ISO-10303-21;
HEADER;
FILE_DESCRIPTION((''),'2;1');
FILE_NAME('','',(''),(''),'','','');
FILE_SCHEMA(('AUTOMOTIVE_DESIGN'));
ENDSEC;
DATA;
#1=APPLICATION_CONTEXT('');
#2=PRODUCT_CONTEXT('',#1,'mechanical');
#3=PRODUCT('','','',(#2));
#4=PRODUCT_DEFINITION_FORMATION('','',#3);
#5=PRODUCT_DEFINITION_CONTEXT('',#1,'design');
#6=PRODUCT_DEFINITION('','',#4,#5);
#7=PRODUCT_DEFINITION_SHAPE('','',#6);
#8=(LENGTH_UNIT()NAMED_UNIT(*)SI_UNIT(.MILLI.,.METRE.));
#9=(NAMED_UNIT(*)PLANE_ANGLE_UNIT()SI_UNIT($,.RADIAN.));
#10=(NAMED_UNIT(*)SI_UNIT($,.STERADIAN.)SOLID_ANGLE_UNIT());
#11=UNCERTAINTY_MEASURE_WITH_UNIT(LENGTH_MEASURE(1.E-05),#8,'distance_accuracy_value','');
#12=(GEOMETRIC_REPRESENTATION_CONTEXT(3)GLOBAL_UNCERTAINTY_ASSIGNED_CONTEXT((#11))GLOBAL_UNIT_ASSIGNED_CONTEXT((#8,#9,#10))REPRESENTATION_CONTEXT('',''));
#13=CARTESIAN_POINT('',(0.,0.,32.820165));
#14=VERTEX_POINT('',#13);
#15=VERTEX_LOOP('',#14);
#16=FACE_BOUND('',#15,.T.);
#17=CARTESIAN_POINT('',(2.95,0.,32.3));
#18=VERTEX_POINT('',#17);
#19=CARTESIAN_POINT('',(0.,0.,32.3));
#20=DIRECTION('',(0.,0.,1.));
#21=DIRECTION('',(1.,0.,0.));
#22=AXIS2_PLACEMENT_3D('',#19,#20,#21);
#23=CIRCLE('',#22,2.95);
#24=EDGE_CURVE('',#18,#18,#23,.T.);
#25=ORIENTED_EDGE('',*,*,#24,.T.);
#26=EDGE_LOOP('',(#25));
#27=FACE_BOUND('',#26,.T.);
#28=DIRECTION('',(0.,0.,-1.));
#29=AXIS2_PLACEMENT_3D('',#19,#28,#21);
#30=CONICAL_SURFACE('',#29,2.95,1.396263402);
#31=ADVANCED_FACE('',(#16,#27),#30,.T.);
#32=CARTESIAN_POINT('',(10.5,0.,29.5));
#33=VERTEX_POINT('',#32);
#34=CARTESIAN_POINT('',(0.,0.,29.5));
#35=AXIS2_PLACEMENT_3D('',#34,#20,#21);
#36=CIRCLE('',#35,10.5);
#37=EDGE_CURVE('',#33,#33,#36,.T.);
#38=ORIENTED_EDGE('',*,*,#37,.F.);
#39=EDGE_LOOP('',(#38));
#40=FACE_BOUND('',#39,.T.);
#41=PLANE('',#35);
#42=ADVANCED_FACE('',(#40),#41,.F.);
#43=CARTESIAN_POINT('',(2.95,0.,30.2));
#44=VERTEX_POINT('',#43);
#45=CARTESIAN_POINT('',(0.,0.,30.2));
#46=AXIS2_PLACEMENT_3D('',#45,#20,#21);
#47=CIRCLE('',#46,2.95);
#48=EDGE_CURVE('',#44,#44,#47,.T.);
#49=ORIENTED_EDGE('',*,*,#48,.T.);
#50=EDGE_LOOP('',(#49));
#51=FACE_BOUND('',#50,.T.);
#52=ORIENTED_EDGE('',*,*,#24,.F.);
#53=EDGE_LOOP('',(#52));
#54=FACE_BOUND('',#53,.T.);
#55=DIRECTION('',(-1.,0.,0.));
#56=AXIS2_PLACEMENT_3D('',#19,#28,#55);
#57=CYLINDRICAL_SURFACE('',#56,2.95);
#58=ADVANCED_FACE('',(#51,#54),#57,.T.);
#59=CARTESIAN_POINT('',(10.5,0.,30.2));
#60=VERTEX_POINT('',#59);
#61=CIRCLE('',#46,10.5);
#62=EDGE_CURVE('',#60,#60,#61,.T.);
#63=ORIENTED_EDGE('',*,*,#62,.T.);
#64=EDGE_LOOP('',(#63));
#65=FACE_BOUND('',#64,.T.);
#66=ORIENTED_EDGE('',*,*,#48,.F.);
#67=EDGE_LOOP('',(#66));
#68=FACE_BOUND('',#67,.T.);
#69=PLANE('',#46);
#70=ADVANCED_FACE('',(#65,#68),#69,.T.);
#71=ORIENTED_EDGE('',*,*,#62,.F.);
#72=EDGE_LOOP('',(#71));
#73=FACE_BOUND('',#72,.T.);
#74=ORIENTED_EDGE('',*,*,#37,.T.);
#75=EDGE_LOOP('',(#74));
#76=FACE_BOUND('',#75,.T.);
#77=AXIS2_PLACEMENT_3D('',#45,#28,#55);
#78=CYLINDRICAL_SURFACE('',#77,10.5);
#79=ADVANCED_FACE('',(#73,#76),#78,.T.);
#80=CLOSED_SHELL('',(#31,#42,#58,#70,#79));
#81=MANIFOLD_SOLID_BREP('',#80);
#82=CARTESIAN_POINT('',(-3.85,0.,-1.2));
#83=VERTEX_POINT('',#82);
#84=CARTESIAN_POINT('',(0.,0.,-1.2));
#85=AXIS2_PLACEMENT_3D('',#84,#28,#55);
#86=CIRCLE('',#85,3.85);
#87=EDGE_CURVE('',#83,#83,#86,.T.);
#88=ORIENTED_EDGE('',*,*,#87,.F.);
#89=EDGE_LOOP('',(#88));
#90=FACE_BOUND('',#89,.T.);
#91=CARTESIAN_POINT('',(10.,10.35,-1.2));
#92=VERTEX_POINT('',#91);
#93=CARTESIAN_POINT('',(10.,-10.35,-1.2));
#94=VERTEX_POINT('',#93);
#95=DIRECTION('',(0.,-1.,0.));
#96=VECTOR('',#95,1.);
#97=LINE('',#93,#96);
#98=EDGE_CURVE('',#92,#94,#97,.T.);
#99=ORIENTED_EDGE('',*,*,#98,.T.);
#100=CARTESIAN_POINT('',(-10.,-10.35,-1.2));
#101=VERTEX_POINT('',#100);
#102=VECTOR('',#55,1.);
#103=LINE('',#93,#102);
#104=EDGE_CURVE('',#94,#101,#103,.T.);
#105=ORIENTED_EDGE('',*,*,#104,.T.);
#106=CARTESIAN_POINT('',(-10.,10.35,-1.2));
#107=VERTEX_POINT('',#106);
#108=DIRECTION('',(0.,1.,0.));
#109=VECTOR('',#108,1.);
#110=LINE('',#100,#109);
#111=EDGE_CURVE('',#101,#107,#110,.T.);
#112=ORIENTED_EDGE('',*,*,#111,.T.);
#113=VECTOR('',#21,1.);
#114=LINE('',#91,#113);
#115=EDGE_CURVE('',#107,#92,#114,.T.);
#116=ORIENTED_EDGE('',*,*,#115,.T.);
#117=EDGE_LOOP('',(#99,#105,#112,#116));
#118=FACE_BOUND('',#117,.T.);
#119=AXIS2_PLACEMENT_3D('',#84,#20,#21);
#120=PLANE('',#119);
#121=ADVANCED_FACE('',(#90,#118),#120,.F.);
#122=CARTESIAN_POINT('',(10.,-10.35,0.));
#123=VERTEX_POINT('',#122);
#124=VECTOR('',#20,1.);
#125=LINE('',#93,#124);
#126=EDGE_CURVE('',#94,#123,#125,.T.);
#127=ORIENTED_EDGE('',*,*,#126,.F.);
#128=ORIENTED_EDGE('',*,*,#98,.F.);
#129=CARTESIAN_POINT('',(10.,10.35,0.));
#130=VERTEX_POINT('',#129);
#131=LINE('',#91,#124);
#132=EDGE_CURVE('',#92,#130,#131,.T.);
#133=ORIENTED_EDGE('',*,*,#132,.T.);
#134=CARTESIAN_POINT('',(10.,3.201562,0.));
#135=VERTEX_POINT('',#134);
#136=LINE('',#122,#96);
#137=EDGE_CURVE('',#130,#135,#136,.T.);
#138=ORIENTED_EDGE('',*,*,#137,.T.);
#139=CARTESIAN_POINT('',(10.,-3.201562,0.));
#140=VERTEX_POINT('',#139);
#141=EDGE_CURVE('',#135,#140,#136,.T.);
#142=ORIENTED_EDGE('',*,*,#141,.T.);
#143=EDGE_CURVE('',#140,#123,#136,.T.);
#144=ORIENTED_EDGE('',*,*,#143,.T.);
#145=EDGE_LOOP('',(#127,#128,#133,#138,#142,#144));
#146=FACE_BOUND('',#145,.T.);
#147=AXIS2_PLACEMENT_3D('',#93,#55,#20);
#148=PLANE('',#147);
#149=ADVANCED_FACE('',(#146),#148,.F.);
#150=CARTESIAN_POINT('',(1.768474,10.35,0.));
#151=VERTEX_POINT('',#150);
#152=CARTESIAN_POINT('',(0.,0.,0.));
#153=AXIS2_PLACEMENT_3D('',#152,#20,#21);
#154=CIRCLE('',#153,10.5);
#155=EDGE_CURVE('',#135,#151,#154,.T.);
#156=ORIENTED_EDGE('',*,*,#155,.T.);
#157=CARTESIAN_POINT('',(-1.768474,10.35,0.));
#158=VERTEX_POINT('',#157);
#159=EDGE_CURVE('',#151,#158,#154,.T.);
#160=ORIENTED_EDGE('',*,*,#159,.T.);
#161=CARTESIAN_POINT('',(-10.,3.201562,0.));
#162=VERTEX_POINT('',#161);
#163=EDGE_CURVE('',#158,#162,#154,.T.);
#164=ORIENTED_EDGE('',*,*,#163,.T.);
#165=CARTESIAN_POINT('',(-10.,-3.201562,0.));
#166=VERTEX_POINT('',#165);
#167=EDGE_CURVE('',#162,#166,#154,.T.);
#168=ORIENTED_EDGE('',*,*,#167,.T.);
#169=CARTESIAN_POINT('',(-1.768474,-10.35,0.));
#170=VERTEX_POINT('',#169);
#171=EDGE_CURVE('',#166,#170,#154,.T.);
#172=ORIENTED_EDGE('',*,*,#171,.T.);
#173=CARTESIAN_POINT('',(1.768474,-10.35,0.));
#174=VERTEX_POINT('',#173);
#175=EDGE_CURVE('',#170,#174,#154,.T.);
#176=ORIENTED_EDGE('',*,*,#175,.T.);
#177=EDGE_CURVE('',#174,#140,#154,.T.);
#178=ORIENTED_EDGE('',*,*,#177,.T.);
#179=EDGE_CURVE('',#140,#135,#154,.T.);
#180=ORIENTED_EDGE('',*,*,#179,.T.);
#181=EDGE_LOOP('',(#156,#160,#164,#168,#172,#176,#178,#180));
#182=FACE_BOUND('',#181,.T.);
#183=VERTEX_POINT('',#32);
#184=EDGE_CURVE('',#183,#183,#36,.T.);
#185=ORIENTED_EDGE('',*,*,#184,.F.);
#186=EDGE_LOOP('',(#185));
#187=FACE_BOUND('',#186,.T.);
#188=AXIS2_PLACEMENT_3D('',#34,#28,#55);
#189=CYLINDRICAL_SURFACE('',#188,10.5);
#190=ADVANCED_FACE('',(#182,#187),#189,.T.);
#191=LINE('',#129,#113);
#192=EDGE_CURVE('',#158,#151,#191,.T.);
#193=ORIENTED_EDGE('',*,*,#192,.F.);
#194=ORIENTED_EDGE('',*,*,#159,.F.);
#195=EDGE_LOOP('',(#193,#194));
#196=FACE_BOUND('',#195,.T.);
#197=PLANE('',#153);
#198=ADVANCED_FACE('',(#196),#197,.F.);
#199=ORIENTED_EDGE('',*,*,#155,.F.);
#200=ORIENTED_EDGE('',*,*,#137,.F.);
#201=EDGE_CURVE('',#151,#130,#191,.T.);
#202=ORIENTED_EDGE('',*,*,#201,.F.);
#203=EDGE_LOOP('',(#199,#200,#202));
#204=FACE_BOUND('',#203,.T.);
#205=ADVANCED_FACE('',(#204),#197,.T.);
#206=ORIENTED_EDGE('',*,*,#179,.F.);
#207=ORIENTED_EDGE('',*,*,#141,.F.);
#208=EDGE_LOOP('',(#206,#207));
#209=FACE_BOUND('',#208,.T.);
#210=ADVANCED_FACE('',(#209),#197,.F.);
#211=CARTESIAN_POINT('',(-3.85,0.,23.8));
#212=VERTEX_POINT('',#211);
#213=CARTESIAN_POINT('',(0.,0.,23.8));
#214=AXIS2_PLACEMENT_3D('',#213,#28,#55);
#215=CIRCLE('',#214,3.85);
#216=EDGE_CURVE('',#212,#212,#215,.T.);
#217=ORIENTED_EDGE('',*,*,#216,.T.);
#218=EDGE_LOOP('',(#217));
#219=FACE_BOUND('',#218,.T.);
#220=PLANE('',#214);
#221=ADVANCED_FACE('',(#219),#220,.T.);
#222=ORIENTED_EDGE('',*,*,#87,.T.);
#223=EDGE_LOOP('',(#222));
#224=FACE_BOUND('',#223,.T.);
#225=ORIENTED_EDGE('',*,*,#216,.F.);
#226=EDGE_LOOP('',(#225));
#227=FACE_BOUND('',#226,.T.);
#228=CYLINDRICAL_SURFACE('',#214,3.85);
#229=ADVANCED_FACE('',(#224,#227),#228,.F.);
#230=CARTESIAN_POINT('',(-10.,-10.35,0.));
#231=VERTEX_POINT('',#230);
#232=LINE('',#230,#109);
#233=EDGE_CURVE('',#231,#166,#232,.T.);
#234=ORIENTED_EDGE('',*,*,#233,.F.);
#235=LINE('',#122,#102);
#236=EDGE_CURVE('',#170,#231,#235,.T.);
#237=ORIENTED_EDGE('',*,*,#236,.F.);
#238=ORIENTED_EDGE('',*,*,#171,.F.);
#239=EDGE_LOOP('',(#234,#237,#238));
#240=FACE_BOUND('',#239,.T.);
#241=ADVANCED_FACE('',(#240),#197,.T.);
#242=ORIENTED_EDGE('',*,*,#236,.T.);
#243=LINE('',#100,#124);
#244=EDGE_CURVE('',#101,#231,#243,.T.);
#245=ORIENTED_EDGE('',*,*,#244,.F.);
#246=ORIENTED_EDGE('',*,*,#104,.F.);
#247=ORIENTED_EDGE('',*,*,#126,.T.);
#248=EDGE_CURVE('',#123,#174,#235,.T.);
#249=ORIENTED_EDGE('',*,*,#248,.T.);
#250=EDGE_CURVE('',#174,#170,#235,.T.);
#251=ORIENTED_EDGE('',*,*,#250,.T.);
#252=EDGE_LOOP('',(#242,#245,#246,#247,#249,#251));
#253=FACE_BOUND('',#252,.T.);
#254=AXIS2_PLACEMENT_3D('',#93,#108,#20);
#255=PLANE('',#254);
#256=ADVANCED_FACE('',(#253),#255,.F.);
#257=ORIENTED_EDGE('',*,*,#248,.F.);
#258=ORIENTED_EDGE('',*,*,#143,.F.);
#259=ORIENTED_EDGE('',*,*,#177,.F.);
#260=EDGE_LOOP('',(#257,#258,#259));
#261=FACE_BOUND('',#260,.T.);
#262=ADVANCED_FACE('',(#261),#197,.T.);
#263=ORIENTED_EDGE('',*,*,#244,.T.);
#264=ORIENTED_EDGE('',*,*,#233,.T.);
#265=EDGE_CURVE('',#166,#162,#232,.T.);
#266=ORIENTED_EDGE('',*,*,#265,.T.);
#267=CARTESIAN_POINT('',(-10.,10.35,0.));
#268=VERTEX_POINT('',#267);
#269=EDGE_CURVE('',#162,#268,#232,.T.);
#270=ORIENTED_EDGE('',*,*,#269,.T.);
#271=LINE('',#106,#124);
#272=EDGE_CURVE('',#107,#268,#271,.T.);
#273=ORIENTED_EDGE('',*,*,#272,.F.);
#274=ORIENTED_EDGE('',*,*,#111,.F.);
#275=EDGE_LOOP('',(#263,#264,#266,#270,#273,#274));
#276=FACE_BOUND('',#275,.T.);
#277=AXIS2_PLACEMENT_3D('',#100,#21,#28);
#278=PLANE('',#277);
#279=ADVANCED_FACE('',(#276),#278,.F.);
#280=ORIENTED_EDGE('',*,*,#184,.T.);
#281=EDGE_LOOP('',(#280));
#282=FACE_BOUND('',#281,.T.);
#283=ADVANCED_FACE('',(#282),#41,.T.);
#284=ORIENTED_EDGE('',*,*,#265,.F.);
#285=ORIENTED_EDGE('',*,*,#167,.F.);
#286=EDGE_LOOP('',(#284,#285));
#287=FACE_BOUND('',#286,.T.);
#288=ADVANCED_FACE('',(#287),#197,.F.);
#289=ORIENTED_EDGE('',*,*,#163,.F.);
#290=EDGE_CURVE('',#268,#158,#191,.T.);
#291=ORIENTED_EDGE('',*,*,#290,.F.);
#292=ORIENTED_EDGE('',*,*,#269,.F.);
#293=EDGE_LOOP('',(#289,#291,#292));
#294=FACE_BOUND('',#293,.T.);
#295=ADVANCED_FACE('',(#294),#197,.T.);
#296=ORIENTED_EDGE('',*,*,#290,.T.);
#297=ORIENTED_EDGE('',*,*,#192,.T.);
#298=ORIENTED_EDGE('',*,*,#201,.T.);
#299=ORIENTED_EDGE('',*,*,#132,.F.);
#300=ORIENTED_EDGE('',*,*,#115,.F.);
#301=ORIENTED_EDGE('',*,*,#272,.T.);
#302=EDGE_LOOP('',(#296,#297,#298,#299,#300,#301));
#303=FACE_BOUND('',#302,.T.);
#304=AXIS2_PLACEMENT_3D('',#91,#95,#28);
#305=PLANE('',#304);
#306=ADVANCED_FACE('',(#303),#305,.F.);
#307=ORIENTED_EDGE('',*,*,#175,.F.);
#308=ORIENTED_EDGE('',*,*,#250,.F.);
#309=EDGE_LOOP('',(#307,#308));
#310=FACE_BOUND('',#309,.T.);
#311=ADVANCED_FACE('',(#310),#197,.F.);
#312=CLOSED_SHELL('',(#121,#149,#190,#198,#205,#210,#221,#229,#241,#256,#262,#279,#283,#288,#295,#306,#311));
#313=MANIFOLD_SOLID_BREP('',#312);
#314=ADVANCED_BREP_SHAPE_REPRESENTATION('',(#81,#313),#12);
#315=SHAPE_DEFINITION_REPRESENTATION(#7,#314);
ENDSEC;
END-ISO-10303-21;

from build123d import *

# Parameters (mm, degrees)
SKETCH1_R           = 10.5
BOSS_EXTRUDE1_DEPTH = 29.5
SKETCH2_R           = 10.5
BOSS_EXTRUDE2_DEPTH = 0.7
SKETCH3_W           = 20
SKETCH3_H           = 20.7
BOSS_EXTRUDE3_DEPTH = 1.2
SKETCH4_R           = 3.85
CUT_EXTRUDE1_DEPTH  = 25
SKETCH5_R           = 2.95
BOSS_EXTRUDE4_DEPTH = 2.1
SKETCH6_R           = 2.95
BOSS_EXTRUDE5_DEPTH = 10
BOSS_EXTRUDE5_TAPER = 80


with BuildPart() as part:
    # Sketch1 → Boss-Extrude1 (new body)
    with BuildSketch(Plane.XY):
        Circle(SKETCH1_R)
    extrude(amount=BOSS_EXTRUDE1_DEPTH)

    # Sketch3 → Boss-Extrude3 (add)
    with BuildSketch(Plane(origin=(0, 0, 0), x_dir=(-1, 0, 0), z_dir=(0, 0, -1))):
        Rectangle(SKETCH3_W, SKETCH3_H)
    extrude(amount=BOSS_EXTRUDE3_DEPTH)

    # Sketch4 → Cut-Extrude1 (cut)
    with BuildSketch(Plane(origin=(0, 0, -1.2), x_dir=(-1, 0, 0), z_dir=(0, 0, -1))):
        Circle(SKETCH4_R)
    extrude(amount=-CUT_EXTRUDE1_DEPTH, mode=Mode.SUBTRACT)


with BuildPart() as body_2:
    # Sketch2 → Boss-Extrude2 (new body)
    with BuildSketch(Plane.XY.offset(29.5)):
        Circle(SKETCH2_R)
    extrude(amount=BOSS_EXTRUDE2_DEPTH)

    # Sketch5 → Boss-Extrude4 (add)
    with BuildSketch(Plane.XY.offset(30.2)):
        Circle(SKETCH5_R)
    extrude(amount=BOSS_EXTRUDE4_DEPTH)

    # Sketch6 → Boss-Extrude5 (add)
    with BuildSketch(Plane.XY.offset(32.3)):
        Circle(SKETCH6_R)
    extrude(amount=BOSS_EXTRUDE5_DEPTH, taper=BOSS_EXTRUDE5_TAPER)


solid = Compound([part.part, body_2.part])
